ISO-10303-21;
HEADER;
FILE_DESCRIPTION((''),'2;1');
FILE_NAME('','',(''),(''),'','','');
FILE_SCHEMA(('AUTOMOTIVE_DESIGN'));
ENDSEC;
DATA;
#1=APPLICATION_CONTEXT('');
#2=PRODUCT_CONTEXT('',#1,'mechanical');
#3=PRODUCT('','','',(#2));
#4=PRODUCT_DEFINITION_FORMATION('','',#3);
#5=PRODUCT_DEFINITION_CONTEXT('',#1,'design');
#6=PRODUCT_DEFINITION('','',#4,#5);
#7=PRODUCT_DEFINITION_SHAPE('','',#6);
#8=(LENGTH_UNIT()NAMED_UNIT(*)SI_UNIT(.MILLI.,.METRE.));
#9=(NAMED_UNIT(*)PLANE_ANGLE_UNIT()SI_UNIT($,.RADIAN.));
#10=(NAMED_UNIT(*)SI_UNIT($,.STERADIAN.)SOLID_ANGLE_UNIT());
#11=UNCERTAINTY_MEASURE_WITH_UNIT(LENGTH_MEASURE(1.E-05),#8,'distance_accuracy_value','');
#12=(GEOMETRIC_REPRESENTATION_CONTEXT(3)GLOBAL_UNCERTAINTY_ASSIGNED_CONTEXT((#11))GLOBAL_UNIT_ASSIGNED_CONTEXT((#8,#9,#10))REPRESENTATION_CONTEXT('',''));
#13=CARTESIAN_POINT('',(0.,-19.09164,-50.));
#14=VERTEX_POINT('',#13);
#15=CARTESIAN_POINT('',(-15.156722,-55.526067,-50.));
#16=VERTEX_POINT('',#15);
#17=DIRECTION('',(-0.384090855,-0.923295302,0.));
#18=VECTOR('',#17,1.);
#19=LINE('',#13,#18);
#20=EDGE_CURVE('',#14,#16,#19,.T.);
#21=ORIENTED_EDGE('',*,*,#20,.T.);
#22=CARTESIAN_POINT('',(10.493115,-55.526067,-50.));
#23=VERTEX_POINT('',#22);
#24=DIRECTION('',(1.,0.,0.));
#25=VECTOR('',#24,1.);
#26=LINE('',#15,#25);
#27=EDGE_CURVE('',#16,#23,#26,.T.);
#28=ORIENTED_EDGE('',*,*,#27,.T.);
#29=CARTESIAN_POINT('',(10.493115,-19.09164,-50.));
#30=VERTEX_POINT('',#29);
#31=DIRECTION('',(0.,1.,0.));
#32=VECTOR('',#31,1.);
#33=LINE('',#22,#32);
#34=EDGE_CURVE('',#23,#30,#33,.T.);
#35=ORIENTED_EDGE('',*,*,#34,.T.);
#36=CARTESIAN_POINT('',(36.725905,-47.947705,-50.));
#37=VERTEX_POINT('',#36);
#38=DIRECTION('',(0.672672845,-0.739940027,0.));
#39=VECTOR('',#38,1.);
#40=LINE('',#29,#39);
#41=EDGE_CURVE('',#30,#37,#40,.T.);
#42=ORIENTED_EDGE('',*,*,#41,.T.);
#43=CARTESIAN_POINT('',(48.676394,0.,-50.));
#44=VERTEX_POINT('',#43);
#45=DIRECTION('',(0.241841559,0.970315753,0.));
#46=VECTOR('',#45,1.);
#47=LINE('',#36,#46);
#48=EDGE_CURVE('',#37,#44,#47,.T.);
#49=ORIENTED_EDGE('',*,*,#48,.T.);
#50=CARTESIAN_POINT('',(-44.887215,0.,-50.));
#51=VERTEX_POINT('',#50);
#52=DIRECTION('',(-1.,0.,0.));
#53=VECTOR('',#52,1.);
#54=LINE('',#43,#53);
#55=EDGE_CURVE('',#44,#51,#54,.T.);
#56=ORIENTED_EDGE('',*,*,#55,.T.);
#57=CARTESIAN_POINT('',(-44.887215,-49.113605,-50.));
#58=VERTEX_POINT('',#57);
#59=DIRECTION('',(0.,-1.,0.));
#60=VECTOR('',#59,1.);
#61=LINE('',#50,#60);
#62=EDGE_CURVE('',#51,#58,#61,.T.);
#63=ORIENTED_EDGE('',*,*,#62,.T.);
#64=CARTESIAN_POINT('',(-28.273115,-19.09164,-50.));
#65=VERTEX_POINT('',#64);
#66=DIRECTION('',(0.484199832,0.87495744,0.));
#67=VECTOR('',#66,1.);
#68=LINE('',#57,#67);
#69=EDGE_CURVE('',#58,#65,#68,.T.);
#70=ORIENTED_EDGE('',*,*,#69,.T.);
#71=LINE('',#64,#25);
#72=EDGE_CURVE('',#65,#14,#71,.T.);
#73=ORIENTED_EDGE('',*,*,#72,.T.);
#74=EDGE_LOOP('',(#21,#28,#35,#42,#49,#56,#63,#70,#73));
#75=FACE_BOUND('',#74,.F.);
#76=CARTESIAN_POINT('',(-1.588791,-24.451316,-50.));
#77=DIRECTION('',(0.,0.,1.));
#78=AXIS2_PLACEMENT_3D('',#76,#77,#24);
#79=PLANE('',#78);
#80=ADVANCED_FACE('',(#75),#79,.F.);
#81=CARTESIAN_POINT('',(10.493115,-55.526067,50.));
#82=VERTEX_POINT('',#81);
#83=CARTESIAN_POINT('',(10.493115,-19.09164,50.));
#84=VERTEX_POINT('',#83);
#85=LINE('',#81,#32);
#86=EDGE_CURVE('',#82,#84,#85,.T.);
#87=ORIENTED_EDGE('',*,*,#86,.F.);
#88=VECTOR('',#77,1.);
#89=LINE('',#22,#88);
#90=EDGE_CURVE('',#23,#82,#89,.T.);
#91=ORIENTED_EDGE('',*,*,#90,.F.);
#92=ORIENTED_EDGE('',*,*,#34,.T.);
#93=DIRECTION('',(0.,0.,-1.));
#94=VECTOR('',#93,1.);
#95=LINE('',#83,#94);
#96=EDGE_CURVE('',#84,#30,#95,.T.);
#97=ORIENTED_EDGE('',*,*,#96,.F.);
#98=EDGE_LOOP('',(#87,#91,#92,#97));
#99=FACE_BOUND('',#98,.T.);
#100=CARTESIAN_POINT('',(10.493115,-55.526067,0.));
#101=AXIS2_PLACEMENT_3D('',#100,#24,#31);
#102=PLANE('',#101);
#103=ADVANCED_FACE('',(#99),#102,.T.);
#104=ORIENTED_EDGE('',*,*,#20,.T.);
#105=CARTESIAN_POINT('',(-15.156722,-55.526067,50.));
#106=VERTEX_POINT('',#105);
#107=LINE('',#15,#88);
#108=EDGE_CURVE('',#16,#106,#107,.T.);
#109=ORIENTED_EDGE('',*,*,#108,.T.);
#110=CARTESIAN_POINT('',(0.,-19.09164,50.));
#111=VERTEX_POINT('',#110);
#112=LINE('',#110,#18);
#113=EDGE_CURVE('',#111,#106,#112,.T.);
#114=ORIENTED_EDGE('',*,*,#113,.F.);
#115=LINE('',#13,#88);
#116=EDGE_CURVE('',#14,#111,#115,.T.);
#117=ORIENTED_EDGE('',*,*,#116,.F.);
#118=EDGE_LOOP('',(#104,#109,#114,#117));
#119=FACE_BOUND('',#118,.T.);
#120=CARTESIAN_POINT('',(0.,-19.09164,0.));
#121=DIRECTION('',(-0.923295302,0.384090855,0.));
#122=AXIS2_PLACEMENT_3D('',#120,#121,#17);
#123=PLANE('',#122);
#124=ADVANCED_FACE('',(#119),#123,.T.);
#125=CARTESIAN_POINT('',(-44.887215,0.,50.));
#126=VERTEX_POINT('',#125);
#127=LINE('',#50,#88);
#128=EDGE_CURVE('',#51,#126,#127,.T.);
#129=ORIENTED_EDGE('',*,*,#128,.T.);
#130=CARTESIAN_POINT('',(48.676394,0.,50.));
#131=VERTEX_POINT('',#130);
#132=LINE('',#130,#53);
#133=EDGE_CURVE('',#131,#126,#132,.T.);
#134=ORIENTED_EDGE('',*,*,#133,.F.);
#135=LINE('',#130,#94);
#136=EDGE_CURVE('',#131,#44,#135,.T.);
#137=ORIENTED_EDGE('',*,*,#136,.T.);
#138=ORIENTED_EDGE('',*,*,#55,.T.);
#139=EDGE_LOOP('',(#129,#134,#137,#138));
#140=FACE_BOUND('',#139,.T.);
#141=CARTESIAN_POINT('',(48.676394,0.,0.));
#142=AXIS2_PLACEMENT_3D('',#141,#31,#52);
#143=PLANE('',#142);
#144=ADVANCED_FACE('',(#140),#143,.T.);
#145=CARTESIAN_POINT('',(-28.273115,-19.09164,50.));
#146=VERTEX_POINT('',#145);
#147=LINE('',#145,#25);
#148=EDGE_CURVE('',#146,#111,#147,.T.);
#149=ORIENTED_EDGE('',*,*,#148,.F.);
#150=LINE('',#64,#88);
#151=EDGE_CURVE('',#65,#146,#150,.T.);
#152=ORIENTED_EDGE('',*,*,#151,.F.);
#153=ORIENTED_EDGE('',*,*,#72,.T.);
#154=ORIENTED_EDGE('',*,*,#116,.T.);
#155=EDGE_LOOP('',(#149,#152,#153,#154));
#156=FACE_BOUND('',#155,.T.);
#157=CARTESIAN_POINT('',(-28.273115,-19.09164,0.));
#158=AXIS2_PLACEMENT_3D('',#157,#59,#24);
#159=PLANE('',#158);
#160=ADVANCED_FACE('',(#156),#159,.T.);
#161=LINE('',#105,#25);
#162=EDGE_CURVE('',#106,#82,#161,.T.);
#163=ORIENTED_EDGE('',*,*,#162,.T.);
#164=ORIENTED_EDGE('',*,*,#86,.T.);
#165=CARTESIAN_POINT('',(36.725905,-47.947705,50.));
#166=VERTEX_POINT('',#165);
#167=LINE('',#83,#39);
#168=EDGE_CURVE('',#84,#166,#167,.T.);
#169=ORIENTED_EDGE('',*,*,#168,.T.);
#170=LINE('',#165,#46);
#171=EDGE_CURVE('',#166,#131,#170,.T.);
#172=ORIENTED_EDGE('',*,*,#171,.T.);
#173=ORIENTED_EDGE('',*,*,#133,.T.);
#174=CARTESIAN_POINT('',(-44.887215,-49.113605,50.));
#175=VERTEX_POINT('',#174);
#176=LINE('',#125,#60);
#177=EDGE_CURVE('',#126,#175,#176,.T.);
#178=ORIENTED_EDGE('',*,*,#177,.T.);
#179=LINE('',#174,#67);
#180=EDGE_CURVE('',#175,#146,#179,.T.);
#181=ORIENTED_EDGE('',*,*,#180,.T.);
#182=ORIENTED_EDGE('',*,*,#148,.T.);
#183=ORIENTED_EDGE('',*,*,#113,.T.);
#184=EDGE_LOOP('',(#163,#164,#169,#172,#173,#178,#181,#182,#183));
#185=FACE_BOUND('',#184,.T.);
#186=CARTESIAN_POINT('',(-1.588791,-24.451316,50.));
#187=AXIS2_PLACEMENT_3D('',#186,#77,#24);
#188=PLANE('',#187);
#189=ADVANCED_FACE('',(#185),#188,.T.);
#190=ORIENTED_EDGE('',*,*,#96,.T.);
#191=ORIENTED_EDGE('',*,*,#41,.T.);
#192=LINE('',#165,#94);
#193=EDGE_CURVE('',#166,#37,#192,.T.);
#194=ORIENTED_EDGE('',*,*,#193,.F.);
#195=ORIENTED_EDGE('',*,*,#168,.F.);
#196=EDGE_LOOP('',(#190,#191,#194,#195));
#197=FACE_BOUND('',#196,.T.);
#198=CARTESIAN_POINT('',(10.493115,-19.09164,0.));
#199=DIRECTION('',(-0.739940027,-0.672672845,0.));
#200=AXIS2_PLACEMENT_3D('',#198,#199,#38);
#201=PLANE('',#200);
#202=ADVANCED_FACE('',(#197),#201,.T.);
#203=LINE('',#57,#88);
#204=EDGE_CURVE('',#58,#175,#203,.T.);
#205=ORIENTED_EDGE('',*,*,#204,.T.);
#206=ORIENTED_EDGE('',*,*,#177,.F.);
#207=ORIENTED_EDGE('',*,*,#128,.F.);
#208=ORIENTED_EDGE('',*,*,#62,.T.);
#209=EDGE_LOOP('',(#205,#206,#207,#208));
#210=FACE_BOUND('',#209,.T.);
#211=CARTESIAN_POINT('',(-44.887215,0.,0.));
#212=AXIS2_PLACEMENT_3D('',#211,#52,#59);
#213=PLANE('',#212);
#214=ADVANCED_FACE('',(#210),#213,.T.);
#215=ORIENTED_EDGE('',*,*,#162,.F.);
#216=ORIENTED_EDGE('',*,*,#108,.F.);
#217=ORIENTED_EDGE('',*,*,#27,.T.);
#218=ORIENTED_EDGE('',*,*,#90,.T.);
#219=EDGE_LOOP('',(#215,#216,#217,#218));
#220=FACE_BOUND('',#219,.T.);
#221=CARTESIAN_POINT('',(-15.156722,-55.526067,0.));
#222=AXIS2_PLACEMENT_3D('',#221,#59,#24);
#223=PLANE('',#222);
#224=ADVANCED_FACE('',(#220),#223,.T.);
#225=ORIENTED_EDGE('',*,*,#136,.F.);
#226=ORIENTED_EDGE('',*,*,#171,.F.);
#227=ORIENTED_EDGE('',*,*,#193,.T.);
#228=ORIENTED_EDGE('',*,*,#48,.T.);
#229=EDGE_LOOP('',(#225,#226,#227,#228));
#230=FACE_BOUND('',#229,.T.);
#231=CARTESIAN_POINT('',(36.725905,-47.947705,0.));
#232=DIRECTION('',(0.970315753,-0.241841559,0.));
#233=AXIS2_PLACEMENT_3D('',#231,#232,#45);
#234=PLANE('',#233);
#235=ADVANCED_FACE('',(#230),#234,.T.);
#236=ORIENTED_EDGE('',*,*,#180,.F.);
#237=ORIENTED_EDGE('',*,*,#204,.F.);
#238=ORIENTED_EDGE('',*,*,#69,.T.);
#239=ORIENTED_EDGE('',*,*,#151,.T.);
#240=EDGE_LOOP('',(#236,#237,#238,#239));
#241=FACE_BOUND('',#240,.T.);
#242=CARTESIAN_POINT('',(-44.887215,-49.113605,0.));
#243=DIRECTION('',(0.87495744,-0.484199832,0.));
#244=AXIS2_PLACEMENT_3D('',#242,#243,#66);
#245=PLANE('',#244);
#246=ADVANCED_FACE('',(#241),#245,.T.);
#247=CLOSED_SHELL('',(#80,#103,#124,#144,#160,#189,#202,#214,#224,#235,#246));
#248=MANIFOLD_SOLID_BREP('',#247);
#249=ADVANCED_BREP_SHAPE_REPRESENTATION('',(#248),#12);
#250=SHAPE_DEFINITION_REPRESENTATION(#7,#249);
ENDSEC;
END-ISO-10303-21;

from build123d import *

# Parameters (mm, degrees)
F1_DEPTH = 50


with BuildPart() as f1:
    # F0 (on Top) → F1 (new body, symmetric)
    with BuildSketch(Plane.XY):
        Polygon((48.676394, 0), (-44.887215, 0), (-44.887215, -49.113605), (-28.273115, -19.09164), (0, -19.09164), (-15.156722, -55.526067), (10.493115, -55.526067), (10.493115, -19.09164), (36.725905, -47.947705), align=None)
    extrude(amount=F1_DEPTH, both=True)


solid = f1.part
